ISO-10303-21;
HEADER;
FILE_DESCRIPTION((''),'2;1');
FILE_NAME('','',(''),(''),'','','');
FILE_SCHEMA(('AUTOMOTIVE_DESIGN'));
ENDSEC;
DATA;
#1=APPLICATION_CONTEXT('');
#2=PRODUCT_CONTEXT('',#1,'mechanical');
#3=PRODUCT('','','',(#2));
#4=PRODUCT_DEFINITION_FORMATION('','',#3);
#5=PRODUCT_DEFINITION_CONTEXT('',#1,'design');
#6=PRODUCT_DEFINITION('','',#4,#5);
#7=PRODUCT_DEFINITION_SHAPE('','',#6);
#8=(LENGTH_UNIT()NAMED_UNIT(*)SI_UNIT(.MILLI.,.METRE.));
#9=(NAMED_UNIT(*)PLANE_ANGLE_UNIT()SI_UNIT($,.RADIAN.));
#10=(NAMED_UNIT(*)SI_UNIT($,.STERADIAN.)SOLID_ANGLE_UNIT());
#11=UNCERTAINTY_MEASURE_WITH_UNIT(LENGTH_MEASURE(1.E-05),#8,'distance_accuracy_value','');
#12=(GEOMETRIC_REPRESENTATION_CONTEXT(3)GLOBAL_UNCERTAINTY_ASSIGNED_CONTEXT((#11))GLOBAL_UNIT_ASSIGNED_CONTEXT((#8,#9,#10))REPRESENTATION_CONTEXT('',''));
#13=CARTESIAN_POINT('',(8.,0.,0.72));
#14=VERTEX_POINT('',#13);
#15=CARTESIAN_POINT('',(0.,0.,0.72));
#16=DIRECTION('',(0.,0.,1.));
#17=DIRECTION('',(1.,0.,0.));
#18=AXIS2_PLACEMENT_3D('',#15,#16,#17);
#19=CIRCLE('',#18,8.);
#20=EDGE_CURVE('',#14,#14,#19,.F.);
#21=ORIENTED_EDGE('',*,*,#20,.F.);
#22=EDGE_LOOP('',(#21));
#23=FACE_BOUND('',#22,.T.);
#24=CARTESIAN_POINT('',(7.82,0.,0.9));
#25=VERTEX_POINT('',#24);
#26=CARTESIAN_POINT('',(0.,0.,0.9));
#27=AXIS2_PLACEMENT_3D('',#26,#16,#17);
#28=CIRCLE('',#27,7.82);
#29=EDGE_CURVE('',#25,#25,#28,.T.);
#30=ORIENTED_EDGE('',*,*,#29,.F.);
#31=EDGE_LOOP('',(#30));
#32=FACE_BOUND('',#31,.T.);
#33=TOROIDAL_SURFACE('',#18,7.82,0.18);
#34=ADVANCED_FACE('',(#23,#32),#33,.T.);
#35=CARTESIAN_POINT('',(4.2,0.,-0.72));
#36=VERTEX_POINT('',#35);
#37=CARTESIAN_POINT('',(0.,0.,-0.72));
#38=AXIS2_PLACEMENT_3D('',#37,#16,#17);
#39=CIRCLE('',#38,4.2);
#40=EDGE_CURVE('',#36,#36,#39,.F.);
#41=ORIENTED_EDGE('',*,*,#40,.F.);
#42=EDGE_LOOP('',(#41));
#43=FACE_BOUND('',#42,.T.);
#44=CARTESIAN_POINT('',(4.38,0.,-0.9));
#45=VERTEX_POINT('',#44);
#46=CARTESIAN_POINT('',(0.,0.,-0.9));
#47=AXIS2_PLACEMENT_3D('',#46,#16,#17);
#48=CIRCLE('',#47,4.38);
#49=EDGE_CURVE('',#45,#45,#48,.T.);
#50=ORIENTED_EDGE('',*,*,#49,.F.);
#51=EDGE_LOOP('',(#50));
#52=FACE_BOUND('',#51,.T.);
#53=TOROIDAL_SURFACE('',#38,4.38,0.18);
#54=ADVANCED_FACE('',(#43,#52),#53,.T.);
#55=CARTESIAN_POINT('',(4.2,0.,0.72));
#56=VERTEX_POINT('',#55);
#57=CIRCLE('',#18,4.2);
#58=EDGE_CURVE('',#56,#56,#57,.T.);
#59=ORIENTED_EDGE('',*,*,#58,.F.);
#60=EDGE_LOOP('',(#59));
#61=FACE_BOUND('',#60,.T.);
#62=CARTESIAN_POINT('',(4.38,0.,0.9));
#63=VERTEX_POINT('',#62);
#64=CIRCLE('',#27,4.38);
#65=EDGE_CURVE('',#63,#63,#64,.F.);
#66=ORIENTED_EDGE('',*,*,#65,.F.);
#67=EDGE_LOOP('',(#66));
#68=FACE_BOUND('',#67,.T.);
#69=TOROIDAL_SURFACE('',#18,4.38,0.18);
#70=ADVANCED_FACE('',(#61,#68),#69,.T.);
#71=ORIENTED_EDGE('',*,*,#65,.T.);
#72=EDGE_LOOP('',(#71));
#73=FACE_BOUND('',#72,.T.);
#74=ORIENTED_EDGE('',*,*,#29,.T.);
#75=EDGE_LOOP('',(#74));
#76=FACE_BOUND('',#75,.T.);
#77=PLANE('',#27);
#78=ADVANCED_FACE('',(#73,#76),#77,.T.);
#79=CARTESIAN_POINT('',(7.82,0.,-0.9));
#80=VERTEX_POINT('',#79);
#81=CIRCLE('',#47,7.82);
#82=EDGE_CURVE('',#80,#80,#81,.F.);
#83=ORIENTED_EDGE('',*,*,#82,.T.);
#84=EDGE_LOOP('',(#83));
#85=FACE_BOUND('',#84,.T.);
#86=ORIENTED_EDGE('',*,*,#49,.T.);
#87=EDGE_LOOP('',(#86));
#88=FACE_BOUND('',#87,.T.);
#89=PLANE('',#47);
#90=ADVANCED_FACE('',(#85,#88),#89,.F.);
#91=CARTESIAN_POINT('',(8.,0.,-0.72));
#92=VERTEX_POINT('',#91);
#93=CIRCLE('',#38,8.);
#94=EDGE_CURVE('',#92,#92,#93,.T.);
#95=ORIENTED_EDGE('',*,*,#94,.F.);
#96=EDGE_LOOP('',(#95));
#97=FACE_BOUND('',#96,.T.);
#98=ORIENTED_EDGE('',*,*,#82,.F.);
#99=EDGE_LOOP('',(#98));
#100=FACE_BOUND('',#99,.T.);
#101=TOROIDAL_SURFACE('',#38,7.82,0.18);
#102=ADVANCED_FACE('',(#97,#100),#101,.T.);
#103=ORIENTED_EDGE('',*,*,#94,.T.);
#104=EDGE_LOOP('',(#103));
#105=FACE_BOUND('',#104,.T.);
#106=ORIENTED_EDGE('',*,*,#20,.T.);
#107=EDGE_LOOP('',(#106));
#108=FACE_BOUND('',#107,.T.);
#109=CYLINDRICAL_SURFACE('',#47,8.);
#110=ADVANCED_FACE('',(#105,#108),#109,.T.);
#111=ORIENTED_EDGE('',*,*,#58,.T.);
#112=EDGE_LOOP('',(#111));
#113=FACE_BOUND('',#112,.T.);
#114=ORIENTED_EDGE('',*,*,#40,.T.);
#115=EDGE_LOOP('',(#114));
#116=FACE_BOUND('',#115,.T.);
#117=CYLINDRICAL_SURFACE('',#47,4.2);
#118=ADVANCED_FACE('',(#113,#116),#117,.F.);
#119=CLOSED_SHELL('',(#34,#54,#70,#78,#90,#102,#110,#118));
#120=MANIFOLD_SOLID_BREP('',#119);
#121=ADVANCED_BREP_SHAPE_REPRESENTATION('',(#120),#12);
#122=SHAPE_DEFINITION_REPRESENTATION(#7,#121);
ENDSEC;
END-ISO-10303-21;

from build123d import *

# Parameters (mm, degrees)
SKETCH3_R                = 8
SKETCH3_R_2              = 4.2
BOSS_EXTRUDE1_DEPTH      = 0.9
BOSS_EXTRUDE1_DEPTH_BACK = 0.9
FILLET1_R                = 0.18


with BuildPart() as part:
    # Sketch3 → Boss-Extrude1 (new body, two sides)
    with BuildSketch(Plane.XY) as boss_extrude1_sk:
        Circle(SKETCH3_R)
        Circle(SKETCH3_R_2, mode=Mode.SUBTRACT)
    extrude(amount=BOSS_EXTRUDE1_DEPTH)
    extrude(boss_extrude1_sk.sketch, amount=-BOSS_EXTRUDE1_DEPTH_BACK)

    # Fillet1
    fillet1_edges = [part.edges().sort_by_distance(p)[0] for p in [
        (-8, 0, -0.9),
        (-4.2, 0, -0.9),
        (-8, 0, 0.9),
        (-4.2, 0, 0.9),
    ]]
    fillet(fillet1_edges, radius=FILLET1_R)


solid = part.part
